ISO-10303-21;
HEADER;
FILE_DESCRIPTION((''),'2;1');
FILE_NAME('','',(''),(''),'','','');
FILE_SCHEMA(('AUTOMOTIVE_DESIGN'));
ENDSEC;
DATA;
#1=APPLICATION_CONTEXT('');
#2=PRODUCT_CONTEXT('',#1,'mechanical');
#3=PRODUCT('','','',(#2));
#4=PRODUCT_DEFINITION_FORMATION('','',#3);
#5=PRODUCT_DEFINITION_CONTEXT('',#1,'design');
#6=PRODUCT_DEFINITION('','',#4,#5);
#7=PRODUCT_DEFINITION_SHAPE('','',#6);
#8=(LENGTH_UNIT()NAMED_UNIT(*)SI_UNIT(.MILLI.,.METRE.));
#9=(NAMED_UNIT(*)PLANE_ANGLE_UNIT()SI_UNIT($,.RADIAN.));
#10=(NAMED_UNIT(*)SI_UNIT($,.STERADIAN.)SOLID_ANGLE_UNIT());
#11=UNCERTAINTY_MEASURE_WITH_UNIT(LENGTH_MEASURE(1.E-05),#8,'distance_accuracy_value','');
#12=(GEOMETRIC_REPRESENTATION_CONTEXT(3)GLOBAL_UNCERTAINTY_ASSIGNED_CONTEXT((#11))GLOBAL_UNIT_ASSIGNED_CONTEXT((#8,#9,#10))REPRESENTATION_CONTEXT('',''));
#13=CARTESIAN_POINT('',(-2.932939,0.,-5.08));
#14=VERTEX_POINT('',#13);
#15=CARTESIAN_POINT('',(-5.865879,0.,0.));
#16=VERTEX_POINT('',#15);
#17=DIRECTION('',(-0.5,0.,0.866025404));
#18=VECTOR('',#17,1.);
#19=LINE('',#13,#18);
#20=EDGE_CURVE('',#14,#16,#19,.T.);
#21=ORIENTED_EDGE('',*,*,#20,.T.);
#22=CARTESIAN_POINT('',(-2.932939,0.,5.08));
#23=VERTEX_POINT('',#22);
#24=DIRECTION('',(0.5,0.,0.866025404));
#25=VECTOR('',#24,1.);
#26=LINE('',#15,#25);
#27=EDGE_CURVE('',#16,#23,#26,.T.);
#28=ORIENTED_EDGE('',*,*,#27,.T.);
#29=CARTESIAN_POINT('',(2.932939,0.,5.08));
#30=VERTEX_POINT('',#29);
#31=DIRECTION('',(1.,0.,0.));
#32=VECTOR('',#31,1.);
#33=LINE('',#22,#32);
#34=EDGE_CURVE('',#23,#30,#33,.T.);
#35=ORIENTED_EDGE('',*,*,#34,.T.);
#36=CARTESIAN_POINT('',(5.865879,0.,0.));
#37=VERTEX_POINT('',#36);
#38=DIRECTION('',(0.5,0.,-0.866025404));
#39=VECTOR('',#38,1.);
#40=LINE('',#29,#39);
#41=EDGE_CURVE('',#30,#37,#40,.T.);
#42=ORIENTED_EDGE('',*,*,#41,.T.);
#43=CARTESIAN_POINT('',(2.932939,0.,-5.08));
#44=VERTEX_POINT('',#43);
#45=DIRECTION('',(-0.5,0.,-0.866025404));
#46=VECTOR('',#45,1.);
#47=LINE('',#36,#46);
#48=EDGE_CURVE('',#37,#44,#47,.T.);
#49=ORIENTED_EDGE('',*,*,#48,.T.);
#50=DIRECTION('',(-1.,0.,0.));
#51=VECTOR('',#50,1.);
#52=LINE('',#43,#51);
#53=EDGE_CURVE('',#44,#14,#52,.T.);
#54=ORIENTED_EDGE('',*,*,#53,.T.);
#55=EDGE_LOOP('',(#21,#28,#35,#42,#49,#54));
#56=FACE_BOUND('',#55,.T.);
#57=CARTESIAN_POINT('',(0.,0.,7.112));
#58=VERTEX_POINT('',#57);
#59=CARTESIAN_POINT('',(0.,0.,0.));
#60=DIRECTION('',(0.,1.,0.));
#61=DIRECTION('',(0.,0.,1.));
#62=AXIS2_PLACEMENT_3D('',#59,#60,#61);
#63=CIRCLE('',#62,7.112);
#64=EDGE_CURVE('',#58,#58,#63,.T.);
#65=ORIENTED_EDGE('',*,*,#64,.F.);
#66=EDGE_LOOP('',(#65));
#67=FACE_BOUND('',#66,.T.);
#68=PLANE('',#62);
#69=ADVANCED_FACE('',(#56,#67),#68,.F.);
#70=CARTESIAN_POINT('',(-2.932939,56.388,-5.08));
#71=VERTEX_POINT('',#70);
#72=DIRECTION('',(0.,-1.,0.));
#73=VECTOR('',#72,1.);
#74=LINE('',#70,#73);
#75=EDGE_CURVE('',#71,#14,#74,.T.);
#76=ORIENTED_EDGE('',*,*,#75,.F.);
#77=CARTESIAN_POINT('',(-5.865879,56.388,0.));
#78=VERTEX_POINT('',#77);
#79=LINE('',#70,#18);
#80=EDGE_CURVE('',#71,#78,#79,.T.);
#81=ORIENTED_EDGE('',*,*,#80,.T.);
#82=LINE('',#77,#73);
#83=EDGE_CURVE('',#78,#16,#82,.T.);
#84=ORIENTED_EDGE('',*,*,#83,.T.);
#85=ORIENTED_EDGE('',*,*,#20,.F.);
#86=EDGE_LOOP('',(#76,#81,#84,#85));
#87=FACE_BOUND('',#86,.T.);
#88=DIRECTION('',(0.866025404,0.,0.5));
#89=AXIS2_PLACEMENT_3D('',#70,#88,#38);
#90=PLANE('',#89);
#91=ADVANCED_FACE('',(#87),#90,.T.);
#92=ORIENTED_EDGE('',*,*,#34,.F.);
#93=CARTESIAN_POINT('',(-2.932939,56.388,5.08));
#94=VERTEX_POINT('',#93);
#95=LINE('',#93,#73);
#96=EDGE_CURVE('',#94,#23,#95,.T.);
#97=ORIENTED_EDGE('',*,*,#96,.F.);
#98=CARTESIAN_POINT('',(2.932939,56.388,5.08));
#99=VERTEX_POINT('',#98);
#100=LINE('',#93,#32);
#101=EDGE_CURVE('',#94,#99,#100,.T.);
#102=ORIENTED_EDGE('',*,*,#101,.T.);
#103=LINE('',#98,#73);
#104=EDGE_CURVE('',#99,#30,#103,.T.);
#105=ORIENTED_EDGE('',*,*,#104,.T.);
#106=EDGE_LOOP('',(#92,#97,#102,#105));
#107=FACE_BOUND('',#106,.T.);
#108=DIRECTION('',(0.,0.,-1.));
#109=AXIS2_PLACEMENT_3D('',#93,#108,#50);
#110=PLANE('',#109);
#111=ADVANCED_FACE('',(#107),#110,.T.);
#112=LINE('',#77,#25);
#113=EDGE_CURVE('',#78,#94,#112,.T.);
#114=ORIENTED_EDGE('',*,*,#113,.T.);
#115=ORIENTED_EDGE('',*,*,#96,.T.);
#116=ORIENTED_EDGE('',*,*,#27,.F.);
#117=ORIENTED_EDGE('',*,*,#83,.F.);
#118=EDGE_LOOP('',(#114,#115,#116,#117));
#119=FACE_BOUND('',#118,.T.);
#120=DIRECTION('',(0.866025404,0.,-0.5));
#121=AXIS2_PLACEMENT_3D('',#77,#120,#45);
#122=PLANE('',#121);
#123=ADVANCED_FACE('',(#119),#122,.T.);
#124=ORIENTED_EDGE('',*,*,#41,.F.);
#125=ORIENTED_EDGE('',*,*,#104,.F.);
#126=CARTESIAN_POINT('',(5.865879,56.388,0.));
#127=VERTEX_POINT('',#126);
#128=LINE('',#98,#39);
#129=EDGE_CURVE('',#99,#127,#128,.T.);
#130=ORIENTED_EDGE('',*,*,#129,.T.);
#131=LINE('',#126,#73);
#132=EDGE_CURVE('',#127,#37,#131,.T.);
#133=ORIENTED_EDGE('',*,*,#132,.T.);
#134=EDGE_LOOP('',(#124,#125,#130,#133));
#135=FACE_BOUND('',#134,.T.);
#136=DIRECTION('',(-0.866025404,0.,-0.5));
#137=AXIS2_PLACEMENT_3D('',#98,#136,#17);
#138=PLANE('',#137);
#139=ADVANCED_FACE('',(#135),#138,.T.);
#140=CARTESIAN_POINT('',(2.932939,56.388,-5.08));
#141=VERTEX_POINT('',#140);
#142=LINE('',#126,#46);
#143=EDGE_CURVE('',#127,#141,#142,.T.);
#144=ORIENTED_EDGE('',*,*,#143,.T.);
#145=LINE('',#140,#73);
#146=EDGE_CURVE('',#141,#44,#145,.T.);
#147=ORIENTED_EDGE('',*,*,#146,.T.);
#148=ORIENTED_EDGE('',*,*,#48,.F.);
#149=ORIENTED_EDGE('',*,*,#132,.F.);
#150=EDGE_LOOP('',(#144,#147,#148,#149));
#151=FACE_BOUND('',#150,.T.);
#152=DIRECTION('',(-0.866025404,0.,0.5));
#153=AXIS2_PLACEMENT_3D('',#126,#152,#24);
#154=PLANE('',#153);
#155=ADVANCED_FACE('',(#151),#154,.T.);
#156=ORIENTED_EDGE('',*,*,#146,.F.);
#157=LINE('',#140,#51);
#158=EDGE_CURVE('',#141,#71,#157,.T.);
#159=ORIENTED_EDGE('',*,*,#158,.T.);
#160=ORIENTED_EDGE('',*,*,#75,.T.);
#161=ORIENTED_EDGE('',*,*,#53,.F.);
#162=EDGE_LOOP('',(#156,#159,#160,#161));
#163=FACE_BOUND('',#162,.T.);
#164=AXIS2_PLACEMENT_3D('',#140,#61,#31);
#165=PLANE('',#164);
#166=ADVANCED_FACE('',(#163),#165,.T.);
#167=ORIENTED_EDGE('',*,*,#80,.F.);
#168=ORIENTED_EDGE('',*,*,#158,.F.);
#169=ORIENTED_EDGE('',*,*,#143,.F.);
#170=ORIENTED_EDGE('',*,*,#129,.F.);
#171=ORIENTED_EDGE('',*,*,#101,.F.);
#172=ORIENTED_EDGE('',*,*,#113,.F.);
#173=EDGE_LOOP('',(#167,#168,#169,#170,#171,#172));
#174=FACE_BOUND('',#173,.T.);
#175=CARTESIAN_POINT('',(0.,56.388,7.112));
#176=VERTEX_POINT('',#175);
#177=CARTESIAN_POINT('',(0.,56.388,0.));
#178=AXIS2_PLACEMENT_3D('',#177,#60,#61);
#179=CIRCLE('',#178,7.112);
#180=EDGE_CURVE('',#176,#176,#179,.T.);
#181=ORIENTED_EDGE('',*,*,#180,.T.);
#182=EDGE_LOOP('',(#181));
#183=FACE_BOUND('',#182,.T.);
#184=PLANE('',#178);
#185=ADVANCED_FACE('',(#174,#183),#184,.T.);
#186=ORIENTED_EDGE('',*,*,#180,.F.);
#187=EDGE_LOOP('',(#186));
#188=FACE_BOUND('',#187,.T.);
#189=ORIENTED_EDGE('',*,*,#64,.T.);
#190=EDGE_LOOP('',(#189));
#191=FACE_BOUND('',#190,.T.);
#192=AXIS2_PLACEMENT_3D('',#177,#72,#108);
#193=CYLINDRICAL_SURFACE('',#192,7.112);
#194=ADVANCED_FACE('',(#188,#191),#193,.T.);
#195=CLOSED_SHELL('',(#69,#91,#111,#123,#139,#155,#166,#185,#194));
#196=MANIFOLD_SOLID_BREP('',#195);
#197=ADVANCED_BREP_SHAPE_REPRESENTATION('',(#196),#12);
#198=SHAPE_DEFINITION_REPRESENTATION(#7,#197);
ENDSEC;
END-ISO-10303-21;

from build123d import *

# Parameters (mm, degrees)
SKETCH1_R           = 7.112
BOSS_EXTRUDE1_DEPTH = 56.388


with BuildPart() as part:
    # Sketch1 → Boss-Extrude1 (new body)
    with BuildSketch(Plane(origin=(0, 0, 0), x_dir=(1, 0, 0), z_dir=(0, 1, 0))):
        Circle(SKETCH1_R)
        Polygon((2.932939367, -5.08), (5.865878735, 0), (2.932939367, 5.08), (-2.932939367, 5.08), (-5.865878735, 0), (-2.932939367, -5.08), align=None, mode=Mode.SUBTRACT)
    extrude(amount=BOSS_EXTRUDE1_DEPTH)


solid = part.part
